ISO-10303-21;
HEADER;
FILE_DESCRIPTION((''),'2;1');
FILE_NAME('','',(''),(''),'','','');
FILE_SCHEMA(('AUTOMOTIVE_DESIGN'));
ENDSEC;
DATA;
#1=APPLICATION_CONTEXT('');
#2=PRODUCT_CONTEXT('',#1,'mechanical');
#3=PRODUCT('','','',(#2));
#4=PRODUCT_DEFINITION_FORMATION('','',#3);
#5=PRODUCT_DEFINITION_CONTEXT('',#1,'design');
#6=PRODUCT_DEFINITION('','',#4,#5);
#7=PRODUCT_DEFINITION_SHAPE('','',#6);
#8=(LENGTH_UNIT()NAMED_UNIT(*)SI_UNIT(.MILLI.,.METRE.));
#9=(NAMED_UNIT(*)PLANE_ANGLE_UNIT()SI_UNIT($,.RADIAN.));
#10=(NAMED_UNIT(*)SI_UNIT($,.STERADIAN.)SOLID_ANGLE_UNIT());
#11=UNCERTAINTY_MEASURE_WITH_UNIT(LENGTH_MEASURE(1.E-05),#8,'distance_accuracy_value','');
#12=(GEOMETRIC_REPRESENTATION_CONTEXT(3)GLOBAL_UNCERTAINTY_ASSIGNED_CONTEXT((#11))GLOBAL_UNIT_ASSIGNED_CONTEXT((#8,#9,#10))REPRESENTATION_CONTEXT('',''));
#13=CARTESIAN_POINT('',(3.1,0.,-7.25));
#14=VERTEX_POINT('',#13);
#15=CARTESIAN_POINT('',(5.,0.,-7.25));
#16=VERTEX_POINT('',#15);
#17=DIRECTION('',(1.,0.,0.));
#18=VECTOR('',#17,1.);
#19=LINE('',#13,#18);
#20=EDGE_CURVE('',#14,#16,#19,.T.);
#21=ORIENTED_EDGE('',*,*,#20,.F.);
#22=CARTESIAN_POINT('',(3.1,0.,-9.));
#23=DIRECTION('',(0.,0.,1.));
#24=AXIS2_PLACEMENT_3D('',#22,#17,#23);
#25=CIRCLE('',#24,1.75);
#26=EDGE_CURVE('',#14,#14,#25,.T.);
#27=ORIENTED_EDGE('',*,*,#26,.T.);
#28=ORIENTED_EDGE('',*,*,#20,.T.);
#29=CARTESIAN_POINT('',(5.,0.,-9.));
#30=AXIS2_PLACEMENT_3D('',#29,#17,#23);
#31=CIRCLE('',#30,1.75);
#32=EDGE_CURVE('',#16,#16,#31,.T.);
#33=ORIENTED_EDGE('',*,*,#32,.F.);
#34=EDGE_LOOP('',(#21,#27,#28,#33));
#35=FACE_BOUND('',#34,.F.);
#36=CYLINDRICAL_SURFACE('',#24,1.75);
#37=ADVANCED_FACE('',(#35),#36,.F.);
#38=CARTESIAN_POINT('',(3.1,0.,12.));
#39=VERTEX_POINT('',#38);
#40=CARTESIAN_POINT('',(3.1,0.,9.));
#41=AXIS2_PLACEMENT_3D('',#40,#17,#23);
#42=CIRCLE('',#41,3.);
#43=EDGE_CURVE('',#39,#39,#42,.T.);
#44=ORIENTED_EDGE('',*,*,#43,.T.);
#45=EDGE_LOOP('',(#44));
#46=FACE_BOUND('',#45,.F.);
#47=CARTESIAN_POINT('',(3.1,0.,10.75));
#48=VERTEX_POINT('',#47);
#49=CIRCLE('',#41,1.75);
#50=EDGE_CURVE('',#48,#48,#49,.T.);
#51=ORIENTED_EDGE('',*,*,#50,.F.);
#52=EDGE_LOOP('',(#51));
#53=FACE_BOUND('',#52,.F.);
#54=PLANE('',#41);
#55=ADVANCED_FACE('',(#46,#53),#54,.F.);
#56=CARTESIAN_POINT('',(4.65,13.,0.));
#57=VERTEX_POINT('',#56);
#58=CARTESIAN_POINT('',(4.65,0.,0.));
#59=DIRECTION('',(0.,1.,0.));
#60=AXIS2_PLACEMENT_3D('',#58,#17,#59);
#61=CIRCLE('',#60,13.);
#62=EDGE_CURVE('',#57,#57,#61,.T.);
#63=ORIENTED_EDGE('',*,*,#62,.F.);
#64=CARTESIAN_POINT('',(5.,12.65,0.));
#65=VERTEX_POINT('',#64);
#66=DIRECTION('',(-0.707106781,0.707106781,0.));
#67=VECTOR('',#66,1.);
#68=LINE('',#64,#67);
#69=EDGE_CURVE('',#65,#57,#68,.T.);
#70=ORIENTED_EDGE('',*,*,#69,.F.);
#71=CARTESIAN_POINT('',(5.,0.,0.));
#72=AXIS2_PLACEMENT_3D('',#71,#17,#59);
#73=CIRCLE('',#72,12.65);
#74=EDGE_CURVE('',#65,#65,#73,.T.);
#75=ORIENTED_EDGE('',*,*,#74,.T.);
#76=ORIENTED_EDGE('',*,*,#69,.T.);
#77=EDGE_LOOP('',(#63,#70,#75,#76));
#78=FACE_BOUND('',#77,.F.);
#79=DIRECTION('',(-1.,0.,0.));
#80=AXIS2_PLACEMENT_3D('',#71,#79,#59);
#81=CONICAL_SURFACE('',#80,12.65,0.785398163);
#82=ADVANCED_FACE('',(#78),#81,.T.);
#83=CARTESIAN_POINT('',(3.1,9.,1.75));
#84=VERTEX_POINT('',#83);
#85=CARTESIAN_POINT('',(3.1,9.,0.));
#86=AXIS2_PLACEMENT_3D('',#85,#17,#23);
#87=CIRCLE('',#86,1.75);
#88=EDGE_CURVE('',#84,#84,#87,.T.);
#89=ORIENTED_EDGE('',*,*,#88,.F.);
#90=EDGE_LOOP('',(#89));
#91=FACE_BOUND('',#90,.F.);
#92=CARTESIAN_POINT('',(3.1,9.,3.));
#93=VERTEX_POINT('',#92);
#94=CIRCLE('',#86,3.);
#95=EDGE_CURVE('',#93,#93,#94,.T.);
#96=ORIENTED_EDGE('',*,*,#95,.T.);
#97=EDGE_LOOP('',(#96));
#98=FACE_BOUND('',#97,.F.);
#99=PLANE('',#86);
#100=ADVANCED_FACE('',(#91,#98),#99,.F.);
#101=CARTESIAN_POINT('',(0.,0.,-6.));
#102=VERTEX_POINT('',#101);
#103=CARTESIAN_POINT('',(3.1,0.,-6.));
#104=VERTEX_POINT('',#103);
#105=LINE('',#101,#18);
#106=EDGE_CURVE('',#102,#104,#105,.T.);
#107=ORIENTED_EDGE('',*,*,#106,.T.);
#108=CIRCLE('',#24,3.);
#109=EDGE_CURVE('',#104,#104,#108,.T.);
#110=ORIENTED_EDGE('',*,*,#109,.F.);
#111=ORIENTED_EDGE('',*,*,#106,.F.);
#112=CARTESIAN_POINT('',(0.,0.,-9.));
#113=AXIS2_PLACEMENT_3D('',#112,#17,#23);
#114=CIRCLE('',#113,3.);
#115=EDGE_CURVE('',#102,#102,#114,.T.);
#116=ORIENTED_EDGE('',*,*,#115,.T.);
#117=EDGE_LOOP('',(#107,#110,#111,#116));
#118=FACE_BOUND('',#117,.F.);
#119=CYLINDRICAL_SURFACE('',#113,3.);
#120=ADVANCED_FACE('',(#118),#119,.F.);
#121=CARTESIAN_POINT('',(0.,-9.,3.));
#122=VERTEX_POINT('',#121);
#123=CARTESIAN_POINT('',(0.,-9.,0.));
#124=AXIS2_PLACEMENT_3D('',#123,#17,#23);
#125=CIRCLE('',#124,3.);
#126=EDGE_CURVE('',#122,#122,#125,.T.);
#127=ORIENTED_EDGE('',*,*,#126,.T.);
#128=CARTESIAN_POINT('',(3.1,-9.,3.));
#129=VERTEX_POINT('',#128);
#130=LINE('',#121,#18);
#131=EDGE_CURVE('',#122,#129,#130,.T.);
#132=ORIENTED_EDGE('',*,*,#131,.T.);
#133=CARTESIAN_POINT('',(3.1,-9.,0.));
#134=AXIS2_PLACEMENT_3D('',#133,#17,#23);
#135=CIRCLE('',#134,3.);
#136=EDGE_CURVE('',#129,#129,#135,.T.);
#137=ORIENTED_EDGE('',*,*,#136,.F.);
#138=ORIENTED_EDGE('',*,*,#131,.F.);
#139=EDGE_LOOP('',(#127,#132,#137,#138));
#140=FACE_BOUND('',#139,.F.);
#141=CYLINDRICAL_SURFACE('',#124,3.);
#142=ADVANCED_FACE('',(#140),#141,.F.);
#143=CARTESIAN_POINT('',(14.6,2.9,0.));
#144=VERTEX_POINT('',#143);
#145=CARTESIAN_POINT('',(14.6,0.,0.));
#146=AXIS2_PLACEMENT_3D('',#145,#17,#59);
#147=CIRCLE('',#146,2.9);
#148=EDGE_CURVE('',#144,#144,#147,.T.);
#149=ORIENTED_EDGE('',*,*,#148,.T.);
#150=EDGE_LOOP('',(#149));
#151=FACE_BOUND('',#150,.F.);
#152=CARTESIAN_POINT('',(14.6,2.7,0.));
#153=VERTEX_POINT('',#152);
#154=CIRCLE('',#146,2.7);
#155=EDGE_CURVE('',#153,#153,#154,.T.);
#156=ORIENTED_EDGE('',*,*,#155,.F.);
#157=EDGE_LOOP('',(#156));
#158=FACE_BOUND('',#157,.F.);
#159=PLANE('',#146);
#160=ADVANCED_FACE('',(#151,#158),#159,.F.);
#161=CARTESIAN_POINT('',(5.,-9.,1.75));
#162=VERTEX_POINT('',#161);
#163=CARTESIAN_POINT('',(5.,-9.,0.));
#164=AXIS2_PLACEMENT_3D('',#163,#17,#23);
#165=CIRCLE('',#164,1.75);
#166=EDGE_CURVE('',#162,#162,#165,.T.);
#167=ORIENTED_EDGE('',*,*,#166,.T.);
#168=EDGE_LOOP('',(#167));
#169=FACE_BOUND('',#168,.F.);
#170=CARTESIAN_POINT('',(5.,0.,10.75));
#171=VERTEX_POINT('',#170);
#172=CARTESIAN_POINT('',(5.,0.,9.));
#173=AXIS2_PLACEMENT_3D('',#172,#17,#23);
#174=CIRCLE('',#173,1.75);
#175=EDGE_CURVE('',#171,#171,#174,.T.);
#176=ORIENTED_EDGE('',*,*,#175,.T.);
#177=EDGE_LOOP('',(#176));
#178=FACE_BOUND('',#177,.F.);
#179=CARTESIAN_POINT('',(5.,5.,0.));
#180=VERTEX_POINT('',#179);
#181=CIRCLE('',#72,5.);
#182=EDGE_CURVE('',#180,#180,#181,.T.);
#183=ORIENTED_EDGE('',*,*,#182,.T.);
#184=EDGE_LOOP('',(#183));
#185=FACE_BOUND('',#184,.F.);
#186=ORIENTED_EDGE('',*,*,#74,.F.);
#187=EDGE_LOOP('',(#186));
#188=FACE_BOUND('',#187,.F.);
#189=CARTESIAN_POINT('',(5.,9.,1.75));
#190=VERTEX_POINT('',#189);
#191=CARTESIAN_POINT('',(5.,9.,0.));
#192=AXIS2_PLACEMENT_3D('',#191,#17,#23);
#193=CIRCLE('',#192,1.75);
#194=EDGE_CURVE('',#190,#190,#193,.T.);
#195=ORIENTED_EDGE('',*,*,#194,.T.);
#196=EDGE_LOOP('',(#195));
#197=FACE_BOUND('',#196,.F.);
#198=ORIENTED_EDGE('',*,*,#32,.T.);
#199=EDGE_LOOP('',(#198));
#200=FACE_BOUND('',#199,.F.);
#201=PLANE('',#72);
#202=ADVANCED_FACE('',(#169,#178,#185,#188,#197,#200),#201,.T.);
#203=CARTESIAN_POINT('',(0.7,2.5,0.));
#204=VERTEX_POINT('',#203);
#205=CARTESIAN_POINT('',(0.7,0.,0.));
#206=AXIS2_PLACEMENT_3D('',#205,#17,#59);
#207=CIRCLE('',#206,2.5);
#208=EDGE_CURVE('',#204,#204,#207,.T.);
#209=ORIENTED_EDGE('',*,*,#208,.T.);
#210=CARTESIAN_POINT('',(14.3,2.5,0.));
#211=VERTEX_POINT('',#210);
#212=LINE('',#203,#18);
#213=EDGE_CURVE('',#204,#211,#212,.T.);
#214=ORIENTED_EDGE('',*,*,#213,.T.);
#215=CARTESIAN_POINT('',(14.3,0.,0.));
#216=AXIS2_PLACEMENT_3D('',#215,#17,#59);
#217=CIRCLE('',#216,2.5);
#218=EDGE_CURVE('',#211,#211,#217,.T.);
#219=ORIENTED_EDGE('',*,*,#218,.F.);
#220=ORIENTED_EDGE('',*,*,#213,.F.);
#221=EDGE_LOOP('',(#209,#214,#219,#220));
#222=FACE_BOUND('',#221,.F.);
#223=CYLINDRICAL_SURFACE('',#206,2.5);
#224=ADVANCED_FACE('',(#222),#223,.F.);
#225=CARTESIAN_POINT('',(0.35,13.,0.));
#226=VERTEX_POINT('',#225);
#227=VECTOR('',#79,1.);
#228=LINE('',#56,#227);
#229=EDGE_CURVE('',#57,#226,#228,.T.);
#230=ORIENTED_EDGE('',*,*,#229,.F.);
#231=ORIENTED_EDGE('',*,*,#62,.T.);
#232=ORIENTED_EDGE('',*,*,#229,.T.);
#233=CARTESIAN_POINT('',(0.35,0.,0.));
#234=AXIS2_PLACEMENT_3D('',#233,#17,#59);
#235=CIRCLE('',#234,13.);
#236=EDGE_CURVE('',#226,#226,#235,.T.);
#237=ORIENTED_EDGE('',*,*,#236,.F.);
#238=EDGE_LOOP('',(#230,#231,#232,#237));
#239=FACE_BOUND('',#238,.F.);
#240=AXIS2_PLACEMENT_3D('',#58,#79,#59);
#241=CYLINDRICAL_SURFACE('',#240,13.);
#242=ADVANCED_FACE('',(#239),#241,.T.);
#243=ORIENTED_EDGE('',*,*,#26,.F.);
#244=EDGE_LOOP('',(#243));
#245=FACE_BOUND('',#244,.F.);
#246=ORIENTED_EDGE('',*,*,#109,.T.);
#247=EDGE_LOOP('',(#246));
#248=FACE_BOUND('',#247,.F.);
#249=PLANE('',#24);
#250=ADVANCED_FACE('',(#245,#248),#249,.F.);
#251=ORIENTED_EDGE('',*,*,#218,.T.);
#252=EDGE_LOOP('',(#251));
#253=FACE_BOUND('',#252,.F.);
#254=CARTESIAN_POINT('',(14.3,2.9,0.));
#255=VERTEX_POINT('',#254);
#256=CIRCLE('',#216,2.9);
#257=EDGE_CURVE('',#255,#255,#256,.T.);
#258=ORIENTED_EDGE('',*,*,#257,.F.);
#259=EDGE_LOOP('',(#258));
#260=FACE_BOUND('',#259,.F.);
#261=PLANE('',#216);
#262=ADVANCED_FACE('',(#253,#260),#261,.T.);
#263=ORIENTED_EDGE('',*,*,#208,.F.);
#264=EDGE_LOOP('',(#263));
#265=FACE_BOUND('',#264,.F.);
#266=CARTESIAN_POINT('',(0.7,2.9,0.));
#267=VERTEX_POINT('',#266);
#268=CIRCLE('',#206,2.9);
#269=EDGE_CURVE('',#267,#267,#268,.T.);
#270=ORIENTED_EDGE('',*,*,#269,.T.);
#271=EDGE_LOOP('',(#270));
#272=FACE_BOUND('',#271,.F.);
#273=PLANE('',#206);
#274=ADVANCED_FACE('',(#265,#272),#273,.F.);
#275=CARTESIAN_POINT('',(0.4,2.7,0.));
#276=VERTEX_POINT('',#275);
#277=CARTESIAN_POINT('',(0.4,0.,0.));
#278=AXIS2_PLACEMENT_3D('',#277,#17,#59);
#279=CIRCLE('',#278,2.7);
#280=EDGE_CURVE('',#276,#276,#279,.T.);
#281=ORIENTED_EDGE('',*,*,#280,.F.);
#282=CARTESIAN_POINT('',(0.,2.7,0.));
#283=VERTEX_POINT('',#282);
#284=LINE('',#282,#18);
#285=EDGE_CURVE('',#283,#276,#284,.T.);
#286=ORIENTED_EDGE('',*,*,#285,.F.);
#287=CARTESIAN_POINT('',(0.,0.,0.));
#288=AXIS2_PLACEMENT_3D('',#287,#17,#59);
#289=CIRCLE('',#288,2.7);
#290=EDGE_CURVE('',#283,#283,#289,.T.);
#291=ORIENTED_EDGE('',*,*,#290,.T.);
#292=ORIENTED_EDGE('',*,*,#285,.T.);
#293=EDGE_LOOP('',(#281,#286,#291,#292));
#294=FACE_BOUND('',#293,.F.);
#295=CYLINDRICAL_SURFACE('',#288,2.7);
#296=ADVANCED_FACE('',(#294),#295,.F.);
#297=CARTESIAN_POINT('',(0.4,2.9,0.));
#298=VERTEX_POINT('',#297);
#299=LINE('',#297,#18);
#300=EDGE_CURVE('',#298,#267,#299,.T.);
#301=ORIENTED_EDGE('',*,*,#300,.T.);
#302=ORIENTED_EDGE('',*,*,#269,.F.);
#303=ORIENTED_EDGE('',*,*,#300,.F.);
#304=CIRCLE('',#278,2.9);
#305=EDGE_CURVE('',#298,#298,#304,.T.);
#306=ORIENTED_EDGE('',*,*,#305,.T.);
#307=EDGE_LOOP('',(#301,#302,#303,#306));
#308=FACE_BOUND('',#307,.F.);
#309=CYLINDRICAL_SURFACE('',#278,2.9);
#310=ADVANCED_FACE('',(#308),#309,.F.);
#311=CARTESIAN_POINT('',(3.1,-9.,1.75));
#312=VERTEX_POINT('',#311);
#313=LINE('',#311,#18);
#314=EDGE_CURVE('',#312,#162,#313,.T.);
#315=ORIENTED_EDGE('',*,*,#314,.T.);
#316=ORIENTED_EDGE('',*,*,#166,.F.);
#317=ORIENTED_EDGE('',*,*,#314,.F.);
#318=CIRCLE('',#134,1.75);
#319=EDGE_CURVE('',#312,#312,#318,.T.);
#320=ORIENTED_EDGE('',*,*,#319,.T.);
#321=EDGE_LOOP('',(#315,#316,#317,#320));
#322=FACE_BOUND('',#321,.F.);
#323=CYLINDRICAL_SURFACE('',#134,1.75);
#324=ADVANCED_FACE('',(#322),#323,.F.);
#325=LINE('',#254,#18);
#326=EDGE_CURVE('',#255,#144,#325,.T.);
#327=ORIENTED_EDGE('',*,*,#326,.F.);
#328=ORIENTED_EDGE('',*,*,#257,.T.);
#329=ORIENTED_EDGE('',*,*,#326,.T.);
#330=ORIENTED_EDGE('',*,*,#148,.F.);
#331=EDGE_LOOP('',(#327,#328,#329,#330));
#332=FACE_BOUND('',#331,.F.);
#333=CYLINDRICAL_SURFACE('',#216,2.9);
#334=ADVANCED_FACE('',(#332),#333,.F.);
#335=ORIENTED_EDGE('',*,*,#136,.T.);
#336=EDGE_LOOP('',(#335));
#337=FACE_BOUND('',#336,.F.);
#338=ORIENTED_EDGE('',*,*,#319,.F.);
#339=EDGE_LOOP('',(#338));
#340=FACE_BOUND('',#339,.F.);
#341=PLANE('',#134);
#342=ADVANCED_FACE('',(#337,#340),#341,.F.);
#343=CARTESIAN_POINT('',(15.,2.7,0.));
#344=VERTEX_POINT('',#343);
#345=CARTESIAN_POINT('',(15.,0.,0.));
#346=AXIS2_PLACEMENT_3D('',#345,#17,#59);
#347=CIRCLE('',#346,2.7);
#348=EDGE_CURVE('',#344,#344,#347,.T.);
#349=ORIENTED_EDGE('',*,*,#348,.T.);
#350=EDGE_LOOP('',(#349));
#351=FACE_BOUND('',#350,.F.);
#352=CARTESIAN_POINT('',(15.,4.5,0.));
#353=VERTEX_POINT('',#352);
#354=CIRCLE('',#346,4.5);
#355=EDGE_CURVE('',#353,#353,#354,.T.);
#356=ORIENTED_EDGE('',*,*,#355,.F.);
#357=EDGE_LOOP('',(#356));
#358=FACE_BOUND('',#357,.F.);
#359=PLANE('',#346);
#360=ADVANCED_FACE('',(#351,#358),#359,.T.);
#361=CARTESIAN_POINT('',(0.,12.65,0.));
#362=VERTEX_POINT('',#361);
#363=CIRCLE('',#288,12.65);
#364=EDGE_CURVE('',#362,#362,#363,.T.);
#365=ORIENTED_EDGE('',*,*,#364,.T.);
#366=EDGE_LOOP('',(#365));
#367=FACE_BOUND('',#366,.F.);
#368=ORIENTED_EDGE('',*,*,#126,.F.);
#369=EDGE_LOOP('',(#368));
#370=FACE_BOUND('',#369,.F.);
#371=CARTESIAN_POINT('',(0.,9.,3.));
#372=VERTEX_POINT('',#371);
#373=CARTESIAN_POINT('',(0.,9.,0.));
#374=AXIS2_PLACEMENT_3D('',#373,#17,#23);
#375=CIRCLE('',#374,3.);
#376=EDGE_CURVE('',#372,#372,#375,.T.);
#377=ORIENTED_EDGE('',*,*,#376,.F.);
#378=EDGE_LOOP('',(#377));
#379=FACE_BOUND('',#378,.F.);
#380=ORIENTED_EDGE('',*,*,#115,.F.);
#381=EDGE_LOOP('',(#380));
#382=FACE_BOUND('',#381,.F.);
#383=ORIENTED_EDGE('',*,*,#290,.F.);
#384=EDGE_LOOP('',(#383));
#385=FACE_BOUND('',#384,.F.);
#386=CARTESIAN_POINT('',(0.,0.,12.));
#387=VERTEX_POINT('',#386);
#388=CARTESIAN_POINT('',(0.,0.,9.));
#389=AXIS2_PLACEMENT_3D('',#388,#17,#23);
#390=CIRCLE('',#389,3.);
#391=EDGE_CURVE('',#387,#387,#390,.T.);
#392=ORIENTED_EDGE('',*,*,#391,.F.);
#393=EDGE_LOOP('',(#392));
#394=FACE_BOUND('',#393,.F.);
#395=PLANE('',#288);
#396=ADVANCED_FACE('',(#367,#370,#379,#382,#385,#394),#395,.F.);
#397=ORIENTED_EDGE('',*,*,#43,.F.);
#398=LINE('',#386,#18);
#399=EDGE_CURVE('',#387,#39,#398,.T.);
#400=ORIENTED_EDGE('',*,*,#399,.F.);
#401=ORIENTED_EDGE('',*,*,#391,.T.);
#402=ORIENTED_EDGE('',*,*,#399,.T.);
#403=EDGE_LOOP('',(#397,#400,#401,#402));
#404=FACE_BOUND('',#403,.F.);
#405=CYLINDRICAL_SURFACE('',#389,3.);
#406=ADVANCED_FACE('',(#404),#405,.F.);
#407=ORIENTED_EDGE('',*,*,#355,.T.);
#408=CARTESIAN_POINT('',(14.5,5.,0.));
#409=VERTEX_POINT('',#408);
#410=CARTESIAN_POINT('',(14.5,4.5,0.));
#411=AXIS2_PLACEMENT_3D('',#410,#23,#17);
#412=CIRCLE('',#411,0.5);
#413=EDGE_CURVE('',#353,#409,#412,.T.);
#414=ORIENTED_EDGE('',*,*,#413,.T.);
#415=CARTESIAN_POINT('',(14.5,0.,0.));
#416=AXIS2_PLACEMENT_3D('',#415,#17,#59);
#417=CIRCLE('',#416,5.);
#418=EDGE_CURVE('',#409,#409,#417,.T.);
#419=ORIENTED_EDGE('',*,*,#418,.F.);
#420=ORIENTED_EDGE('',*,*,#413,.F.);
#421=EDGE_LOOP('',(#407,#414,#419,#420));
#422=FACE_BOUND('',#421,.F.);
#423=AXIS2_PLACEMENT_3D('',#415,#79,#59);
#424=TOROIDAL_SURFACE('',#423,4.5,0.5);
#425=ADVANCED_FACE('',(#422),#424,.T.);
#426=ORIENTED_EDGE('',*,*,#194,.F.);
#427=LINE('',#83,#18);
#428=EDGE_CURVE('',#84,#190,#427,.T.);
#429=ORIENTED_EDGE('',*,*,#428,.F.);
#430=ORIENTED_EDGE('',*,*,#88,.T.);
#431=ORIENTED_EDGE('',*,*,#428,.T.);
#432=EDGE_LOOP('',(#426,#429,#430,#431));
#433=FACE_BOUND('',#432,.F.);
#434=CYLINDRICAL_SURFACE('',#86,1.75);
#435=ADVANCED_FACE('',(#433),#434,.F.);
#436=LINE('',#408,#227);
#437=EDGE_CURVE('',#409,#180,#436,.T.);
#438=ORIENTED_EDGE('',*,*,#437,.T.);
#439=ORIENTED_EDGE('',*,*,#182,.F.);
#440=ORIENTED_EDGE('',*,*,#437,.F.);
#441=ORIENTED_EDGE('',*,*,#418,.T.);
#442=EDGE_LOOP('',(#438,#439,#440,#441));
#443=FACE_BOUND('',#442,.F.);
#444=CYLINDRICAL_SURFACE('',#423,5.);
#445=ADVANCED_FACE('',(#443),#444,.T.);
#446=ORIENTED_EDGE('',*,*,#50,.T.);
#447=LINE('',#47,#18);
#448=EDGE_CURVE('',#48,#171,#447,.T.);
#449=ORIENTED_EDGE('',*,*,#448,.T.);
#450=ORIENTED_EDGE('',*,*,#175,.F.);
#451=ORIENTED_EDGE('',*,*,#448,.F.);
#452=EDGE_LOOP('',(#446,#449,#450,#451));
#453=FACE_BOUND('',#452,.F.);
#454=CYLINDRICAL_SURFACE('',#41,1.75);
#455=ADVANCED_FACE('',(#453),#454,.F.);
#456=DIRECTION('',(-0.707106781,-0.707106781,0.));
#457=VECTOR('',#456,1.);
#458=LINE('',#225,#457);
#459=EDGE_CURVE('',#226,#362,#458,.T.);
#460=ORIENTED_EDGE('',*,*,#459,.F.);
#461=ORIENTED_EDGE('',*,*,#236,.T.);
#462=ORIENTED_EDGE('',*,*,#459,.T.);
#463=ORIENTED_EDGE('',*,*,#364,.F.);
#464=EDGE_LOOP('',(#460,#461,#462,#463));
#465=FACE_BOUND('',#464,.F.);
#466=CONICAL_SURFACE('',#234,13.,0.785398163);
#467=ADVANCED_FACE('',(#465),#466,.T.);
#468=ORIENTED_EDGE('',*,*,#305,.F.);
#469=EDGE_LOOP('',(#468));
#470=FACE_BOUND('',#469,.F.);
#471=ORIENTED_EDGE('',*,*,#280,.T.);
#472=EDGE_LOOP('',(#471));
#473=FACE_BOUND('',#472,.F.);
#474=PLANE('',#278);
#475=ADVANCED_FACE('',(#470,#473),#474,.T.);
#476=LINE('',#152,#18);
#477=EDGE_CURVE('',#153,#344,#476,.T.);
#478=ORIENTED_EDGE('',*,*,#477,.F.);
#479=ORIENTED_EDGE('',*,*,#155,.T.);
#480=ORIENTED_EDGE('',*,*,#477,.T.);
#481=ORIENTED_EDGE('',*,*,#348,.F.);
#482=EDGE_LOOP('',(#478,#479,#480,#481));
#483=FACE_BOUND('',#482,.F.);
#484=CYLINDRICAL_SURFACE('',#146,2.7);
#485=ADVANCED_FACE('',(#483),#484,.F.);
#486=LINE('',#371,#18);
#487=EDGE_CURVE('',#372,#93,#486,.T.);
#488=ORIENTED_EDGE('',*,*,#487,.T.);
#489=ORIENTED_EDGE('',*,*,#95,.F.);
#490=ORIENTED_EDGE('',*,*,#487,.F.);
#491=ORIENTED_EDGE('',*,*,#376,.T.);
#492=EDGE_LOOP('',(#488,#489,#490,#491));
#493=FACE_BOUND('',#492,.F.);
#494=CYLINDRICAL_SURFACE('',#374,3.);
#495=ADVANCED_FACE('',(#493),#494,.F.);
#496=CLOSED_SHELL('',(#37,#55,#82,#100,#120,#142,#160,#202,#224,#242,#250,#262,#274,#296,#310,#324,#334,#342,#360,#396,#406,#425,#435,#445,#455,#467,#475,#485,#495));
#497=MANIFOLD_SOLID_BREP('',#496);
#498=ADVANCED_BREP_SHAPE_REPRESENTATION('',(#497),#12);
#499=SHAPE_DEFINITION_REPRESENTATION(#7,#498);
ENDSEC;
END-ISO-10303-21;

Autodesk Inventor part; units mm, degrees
sketch "Sketch_1" plane through (0, 0, 0) normal (0, 0, 1) x (1, 0, 0)
  line L0 (15, 0) -> (0, 0)
  line L1 (0, 2.7) -> (0.4, 2.7)
  line L2 (0.4, 2.7) -> (0.4, 2.9)
  line L3 (0.4, 2.9) -> (0.7, 2.9)
  line L4 (0.7, 2.9) -> (0.7, 2.5)
  line L5 (0.7, 2.5) -> (14.3, 2.5)
  line L6 (14.3, 2.5) -> (14.3, 2.9)
  line L7 (14.3, 2.9) -> (14.6, 2.9)
  line L8 (14.6, 2.9) -> (14.6, 2.7)
  line L9 (14.6, 2.7) -> (15, 2.7)
  line L10 (15, 2.7) -> (15, 4.5)
  arc A0 (15, 4.5) -> (14.5, 5) centre (14.5, 4.5) ccw
  line L11 (14.5, 5) -> (5, 5)
  line L12 (5, 5) -> (5, 12.65)
  line L13 (5, 12.65) -> (4.65, 13)
  line L14 (4.65, 13) -> (0.35, 13)
  line L15 (0.35, 13) -> (0, 12.65)
  line L16 (0, 12.65) -> (0, 2.7)
revolve "Revolution1" add sketch "Sketch_1" angle 360 about axis through (15, 0, 0) along (1, 0, 0)
sketch "Sketch2" plane through (0, 0, 0) normal (-1, 0, 0) x (0, 0, 1)
  point P0 (0, 9)
hole "Hole1" at (0, 9, 0) direction (1, 0, 0) diameter 3.5 depth 5 counterbore diameter 6 counterbore depth 3.1
sketch "Sketch3" plane through (0, 0, 0) normal (-1, 0, 0) x (0, 0, 1)
  point P0 (0, -9)
hole "Hole2" at (0, -9, 0) direction (1, 0, 0) diameter 3.5 depth 5 counterbore diameter 6 counterbore depth 3.1
sketch "Sketch4" plane through (0, 0, 0) normal (-1, 0, 0) x (0, 0, 1)
  point P0 (-9, 0)
hole "Hole3" at (0, 0, -9) direction (1, 0, 0) diameter 3.5 depth 5 counterbore diameter 6 counterbore depth 3.1
sketch "Sketch5" plane through (0, 0, 0) normal (-1, 0, 0) x (0, 0, 1)
  point P0 (9, 0)
hole "Hole4" at (0, 0, 9) direction (1, 0, 0) diameter 3.5 depth 5 counterbore diameter 6 counterbore depth 3.1
ref_plane "Combination_Module_XY" through (0, 0, 0) normal (1, 0, 0) x (0, 0, -1)
ref_plane "Combination_Module_YZ" through (0, 0, 0) normal (0, 0, -1) x (0, 1, 0)
ref_plane "Combination_Module_ZX" through (0, 0, 0) normal (0, 1, 0) x (1, 0, 0)
properties part number "C-LHFR5"
